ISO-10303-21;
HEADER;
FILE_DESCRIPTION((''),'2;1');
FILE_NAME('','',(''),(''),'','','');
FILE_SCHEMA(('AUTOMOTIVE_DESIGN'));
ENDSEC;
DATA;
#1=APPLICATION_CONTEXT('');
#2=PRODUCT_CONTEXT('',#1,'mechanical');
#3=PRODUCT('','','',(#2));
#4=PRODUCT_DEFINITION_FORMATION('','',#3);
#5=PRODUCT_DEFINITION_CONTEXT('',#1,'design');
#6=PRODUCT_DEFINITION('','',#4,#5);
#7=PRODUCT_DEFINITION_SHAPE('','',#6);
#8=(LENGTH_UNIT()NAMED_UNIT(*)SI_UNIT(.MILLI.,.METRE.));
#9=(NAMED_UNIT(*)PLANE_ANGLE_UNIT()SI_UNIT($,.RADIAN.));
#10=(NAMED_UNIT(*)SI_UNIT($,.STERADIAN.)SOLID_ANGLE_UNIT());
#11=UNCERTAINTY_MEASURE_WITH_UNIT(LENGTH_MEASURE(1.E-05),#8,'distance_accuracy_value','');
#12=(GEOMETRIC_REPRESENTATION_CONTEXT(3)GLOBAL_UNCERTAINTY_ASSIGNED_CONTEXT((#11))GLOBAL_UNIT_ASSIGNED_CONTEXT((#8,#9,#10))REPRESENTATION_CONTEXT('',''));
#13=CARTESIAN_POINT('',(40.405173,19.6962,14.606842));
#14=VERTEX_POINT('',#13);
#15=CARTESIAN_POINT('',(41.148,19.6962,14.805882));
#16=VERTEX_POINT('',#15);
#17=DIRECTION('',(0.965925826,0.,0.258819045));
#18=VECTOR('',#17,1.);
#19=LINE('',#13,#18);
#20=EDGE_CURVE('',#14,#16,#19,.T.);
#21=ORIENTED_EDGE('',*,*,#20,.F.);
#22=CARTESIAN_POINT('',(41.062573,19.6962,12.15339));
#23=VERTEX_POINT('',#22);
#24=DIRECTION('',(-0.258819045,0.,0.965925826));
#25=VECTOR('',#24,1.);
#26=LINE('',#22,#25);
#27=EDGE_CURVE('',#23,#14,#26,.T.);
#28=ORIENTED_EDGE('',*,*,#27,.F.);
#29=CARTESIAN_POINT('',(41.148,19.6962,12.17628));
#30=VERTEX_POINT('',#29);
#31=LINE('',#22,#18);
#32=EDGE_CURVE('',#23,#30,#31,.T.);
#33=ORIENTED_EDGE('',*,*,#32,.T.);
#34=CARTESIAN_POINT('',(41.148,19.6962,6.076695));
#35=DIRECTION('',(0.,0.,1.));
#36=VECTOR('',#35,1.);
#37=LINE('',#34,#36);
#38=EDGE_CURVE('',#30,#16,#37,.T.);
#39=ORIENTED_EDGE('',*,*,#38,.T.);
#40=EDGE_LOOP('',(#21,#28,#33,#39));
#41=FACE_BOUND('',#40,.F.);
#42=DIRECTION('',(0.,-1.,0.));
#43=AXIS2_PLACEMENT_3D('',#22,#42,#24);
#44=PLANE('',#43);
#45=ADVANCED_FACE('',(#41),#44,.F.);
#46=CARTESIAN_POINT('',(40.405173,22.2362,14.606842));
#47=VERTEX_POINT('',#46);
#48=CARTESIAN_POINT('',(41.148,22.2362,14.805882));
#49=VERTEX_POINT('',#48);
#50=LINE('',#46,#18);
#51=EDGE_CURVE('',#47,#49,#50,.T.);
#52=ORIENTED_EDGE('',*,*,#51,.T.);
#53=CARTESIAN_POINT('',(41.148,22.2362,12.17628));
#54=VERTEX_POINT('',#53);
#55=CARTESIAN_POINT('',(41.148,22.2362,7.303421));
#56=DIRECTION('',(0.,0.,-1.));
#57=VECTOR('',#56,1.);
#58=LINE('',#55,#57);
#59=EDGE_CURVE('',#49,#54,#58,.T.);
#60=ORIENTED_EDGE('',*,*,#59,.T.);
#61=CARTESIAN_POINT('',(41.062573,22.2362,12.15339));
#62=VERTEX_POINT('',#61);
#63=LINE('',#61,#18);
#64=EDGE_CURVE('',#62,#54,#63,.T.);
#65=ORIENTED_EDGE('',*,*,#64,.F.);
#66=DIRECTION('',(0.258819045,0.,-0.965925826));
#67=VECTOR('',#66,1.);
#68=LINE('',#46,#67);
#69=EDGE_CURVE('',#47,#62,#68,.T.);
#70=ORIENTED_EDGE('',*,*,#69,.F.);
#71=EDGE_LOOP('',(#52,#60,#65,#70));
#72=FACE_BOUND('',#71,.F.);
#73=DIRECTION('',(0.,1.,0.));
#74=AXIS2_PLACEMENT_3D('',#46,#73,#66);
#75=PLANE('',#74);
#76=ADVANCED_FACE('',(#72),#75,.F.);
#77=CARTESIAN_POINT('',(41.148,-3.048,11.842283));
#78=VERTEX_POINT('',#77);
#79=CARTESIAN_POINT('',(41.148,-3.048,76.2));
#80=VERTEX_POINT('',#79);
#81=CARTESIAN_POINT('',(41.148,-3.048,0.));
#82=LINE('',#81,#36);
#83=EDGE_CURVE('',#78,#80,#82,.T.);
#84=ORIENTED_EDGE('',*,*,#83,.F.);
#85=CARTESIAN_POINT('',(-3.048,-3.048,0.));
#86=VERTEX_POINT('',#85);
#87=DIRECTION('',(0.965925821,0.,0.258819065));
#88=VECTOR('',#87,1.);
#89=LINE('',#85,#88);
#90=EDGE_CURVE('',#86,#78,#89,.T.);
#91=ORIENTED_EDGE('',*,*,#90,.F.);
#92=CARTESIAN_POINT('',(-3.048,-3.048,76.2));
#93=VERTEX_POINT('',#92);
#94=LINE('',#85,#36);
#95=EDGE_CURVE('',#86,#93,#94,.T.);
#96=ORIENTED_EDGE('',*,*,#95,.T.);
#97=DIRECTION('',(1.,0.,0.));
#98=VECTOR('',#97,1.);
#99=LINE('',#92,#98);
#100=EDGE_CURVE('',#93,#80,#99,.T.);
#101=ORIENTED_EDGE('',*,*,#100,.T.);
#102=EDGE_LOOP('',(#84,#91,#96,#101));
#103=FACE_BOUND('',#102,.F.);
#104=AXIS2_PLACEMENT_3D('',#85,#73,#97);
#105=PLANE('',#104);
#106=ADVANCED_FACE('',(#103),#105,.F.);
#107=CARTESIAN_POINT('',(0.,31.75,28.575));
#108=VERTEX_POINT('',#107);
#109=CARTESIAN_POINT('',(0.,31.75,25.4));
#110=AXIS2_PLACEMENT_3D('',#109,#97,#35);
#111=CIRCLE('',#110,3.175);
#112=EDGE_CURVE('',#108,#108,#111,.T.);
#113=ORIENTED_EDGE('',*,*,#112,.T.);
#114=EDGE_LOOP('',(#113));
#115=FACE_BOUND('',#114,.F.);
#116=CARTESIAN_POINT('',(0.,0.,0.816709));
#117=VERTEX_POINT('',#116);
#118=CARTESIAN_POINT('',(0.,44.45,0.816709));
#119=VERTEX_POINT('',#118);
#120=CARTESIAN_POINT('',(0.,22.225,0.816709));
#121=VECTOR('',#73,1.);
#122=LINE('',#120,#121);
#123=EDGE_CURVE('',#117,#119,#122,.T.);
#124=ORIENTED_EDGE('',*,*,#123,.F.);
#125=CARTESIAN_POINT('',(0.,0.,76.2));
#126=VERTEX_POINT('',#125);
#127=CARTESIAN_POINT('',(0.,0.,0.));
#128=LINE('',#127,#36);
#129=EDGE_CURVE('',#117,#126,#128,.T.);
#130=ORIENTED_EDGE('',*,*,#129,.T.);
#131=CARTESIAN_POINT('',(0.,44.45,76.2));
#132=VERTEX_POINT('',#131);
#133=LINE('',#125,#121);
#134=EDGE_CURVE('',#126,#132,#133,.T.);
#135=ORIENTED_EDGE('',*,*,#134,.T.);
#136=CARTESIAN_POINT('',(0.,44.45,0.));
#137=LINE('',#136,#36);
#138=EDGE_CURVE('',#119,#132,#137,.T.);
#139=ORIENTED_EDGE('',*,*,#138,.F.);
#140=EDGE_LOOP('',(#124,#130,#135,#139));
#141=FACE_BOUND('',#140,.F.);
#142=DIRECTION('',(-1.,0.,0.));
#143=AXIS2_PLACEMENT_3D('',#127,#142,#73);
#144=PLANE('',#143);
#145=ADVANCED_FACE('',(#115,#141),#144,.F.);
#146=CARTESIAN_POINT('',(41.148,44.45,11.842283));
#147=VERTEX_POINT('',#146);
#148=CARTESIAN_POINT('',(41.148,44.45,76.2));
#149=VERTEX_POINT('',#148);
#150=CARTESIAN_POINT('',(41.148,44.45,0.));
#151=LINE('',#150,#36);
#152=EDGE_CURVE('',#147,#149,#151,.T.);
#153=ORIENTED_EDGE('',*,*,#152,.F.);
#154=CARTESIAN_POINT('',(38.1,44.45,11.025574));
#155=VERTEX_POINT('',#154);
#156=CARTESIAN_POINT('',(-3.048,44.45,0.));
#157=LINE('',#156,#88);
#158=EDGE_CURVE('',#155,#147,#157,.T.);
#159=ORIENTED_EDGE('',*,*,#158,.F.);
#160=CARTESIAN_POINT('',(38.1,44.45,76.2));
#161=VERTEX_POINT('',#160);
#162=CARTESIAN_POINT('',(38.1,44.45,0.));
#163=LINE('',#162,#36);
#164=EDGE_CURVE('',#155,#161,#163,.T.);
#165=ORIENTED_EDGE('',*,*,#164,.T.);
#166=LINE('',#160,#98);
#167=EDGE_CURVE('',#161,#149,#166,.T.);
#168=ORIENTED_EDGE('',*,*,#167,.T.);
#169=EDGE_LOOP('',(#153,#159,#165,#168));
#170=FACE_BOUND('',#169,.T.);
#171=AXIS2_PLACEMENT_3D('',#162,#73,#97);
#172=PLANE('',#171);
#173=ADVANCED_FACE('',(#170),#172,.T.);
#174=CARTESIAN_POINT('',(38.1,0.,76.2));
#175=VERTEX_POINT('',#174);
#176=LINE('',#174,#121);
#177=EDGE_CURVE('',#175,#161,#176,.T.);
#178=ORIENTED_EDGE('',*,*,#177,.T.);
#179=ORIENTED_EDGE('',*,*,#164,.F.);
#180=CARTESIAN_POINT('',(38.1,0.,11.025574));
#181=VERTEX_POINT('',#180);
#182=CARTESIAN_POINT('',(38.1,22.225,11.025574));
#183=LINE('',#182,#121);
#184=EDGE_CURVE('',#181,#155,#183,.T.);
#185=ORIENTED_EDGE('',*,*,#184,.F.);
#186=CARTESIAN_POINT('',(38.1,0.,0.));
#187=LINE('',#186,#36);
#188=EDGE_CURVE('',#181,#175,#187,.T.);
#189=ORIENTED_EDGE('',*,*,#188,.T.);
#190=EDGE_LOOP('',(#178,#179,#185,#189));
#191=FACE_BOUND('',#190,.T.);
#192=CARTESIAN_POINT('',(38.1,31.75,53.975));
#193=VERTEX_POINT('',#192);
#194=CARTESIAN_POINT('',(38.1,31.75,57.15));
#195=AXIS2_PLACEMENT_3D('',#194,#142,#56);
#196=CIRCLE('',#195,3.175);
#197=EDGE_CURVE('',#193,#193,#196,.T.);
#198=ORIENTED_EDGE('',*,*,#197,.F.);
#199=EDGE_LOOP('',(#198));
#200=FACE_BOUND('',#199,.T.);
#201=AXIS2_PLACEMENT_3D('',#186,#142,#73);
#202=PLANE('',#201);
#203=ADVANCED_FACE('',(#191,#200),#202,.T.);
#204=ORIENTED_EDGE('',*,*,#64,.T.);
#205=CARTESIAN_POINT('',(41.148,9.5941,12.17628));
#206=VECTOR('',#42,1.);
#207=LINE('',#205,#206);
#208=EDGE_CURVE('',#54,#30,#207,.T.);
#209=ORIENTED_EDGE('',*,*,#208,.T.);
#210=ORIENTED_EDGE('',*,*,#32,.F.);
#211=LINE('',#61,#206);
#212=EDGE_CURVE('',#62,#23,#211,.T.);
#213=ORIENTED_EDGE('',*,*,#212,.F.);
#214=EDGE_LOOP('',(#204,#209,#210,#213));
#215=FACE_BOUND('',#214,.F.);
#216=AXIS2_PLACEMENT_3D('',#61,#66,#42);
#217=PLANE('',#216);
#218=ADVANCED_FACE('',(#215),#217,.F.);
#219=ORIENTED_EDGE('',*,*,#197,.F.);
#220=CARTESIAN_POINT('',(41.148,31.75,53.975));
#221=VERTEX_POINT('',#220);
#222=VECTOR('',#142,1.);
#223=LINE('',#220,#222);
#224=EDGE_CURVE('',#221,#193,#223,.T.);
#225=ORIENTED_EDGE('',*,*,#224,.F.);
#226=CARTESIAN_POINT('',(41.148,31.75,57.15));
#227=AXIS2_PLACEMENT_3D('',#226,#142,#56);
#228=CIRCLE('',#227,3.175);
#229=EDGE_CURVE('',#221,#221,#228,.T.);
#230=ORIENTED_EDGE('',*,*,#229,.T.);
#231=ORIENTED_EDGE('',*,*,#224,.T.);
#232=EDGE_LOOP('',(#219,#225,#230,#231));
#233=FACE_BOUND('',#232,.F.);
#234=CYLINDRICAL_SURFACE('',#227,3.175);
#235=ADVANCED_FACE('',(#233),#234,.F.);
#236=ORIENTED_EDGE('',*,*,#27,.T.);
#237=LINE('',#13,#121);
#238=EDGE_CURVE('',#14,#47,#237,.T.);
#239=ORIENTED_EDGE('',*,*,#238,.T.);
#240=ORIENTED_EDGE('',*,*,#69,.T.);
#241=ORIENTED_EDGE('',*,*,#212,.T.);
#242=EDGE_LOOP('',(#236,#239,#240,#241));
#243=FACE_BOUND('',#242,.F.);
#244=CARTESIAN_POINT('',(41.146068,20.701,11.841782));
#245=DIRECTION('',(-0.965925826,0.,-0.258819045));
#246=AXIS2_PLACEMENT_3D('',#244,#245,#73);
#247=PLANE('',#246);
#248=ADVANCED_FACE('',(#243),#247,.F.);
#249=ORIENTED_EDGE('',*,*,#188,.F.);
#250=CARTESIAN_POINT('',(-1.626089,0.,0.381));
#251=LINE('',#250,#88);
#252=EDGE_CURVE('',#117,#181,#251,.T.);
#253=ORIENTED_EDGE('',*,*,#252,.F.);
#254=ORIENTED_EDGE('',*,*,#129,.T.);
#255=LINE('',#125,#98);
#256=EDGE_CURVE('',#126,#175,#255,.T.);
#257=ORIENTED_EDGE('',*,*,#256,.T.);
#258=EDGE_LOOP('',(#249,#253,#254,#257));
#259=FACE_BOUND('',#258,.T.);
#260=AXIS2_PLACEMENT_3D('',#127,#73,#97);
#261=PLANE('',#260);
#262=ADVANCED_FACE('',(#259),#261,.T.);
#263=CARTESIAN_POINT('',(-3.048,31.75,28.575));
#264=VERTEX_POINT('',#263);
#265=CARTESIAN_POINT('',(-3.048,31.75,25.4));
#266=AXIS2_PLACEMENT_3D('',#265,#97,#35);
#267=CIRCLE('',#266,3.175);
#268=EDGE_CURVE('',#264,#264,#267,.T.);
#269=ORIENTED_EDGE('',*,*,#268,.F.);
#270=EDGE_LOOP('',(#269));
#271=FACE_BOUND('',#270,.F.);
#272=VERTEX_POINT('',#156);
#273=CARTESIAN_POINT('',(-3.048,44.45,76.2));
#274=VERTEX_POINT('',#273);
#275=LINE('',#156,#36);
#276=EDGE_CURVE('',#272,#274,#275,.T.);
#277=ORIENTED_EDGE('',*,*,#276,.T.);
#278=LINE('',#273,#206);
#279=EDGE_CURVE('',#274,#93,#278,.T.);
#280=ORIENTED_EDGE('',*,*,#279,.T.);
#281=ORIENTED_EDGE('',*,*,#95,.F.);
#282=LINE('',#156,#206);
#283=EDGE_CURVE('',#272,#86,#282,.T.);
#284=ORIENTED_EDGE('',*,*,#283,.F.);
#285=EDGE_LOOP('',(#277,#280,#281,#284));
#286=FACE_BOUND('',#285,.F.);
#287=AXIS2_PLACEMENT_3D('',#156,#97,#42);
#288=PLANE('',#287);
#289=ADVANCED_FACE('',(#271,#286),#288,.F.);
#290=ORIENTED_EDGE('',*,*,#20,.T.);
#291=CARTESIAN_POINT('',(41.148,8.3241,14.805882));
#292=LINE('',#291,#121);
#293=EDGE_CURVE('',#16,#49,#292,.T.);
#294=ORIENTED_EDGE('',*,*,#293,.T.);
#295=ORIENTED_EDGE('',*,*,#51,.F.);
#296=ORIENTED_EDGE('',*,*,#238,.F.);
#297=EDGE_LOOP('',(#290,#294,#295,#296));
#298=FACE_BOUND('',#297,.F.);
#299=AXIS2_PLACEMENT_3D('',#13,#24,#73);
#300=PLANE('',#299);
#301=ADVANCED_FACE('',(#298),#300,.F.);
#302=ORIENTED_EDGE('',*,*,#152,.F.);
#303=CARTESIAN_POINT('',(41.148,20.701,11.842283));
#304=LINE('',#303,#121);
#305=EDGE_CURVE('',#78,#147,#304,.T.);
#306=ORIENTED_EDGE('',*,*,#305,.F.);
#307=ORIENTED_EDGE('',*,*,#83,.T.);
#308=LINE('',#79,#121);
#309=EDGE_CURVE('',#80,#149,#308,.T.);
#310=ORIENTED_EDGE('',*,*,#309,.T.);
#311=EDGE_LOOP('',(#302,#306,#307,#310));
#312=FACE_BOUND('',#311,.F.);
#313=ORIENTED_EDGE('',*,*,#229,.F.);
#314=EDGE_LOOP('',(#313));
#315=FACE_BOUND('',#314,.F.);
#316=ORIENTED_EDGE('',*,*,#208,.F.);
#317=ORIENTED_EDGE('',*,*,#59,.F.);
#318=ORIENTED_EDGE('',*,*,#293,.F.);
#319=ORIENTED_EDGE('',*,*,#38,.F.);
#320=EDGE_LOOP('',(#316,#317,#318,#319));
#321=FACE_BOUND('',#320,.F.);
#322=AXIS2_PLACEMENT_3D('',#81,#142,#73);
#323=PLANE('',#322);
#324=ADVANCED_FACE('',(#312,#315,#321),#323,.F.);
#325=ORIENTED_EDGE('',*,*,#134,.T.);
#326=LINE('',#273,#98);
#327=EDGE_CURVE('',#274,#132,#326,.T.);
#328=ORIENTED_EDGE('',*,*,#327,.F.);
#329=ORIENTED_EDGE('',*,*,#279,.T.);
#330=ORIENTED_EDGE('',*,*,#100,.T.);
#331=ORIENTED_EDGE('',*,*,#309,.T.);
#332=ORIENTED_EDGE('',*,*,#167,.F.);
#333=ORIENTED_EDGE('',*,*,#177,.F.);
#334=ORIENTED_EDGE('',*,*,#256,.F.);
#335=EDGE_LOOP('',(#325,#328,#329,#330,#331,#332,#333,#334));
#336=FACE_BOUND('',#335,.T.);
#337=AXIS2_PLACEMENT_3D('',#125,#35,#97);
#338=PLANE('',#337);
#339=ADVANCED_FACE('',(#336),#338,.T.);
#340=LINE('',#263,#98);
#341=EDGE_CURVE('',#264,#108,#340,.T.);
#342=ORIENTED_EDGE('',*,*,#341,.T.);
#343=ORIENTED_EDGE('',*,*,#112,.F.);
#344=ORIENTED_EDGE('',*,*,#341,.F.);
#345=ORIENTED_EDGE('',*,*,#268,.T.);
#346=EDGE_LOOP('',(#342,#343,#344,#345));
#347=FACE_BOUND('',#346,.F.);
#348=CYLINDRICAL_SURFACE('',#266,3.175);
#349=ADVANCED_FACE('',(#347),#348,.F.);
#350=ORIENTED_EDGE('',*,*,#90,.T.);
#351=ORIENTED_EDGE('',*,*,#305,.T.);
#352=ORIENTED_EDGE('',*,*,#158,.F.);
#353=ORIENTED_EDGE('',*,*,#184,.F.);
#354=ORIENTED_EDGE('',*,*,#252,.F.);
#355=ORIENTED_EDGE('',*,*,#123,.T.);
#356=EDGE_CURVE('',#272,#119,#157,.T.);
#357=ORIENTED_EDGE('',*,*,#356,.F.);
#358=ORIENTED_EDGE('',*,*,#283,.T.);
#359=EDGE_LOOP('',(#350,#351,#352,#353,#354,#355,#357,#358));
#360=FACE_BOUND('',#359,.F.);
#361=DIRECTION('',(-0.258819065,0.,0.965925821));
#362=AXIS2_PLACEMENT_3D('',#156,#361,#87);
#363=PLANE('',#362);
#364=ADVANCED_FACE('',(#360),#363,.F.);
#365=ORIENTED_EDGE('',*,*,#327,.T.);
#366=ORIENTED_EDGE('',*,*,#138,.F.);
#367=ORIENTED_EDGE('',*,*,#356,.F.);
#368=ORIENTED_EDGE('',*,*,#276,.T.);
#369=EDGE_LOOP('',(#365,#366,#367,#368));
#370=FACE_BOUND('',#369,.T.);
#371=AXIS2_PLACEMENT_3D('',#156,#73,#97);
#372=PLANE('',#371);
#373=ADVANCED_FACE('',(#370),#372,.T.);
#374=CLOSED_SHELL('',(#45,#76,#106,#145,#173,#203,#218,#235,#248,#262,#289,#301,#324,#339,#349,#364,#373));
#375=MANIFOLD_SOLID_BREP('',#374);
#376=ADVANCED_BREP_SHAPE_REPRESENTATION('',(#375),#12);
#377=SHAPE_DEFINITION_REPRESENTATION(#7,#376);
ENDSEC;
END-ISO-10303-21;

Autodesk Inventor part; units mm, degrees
ref_plane "YZ Plane" through (0, 0, 0) normal (1, 0, 0) x (0, 1, 0)
ref_plane "XZ Plane" through (0, 0, 0) normal (0, 1, 0) x (-1, 0, 0)
sketch "Sketch1" plane through (0, 0, 0) normal (0, 0, 1) x (1, 0, 0)
  line L0 (0, 0) -> (38.1, 0)
  line L1 (38.1, 0) -> (38.1, 44.45)
  line L2 (0, 0) -> (0, 44.45)
  line L3 (-3.048, 44.45) -> (-3.048, -3.048)
  line L4 (-3.048, -3.048) -> (41.148, -3.048)
  line L5 (41.148, -3.048) -> (41.148, 44.45)
  line L6 (-3.048, 44.45) -> (0, 44.45)
  line L7 (38.1, 44.45) -> (41.148, 44.45)
  dimension "d0" = 38.1
  dimension "d1" = 44.45
  dimension "d2" = 44.45
  dimension "d3" = 3.048
extrude "channel" add sketch "Sketch1" along normal blind 76.2
sketch "Sketch2" plane through (-3.048, 44.45, 0) normal (0, 1, 0) x (1, 0, 0)
  line L0 (0, 0) -> (49.069, -13.148)
  line L1 (0, 0) -> (50.8, 0) construction
  line L2 (0, 0) -> (49.069, 0)
  line L3 (49.069, -13.148) -> (49.069, 0)
  dimension "d6" = 50.8
  dimension "d7" = 15
extrude "angleCut" cut sketch "Sketch2" against normal blind 101.6
sketch "Sketch3" plane through (41.148, -3.048, 76.2) normal (1, 0, 0) x (0, 0, -1)
  line L0 (64.3577, 47.498) -> (0, 47.498) projected
  line L1 (0, 0) -> (0, 47.498) projected
  circle A0 centre (19.05, 34.798) radius 1.7319
  point P0 (76.2, 3.048)
  dimension "d10" = 19.05
  dimension "d11" = 12.7
hole "Hole1" at (41.148, 31.75, 57.15) direction (-1, 0, 0) diameter 6.35 depth 25.4 tip angle 118
sketch "Sketch5" plane through (-3.048, -3.048, 76.2) normal (-1, 0, 0) x (0, 0, 1)
  line L0 (0, 47.498) -> (0, 0) projected
  line L1 (-76.2, 47.498) -> (0, 47.498) projected
  circle A0 centre (-50.8, 34.798) radius 3.8194
  point P0 (-76.2, 3.048)
  dimension "d19" = 50.8
  dimension "d20" = 12.7
hole "Hole2" at (-3.048, 31.75, 25.4) direction (1, 0, 0) diameter 6.35 depth 25.4 tip angle 118
ref_plane "Work Plane1" through (41.148, 20.701, 11.8423) normal (-0.9659, 0, -0.2588) x (0, 1, 0)
sketch "Sketch6" plane through (41.148, 20.701, 11.8423) normal (-0.9659, 0, -0.2588) x (0, 1, 0)
  line L0 (1.5352, -0.3226) -> (-1.0048, -0.3226)
  line L1 (-1.0048, -0.3226) -> (-1.0048, -2.8626)
  line L2 (-1.0048, -2.8626) -> (1.5352, -2.8626)
  line L3 (1.5352, -2.8626) -> (1.5352, -0.3226)
  point P0 (-20.701, 0.7889)
  dimension "d29" = 2.54
  dimension "d30" = 2.54
extrude "indentMark" cut sketch "Sketch6" against normal blind 101.6
properties part number "endChannelB" material "Steel, Galvanized"
